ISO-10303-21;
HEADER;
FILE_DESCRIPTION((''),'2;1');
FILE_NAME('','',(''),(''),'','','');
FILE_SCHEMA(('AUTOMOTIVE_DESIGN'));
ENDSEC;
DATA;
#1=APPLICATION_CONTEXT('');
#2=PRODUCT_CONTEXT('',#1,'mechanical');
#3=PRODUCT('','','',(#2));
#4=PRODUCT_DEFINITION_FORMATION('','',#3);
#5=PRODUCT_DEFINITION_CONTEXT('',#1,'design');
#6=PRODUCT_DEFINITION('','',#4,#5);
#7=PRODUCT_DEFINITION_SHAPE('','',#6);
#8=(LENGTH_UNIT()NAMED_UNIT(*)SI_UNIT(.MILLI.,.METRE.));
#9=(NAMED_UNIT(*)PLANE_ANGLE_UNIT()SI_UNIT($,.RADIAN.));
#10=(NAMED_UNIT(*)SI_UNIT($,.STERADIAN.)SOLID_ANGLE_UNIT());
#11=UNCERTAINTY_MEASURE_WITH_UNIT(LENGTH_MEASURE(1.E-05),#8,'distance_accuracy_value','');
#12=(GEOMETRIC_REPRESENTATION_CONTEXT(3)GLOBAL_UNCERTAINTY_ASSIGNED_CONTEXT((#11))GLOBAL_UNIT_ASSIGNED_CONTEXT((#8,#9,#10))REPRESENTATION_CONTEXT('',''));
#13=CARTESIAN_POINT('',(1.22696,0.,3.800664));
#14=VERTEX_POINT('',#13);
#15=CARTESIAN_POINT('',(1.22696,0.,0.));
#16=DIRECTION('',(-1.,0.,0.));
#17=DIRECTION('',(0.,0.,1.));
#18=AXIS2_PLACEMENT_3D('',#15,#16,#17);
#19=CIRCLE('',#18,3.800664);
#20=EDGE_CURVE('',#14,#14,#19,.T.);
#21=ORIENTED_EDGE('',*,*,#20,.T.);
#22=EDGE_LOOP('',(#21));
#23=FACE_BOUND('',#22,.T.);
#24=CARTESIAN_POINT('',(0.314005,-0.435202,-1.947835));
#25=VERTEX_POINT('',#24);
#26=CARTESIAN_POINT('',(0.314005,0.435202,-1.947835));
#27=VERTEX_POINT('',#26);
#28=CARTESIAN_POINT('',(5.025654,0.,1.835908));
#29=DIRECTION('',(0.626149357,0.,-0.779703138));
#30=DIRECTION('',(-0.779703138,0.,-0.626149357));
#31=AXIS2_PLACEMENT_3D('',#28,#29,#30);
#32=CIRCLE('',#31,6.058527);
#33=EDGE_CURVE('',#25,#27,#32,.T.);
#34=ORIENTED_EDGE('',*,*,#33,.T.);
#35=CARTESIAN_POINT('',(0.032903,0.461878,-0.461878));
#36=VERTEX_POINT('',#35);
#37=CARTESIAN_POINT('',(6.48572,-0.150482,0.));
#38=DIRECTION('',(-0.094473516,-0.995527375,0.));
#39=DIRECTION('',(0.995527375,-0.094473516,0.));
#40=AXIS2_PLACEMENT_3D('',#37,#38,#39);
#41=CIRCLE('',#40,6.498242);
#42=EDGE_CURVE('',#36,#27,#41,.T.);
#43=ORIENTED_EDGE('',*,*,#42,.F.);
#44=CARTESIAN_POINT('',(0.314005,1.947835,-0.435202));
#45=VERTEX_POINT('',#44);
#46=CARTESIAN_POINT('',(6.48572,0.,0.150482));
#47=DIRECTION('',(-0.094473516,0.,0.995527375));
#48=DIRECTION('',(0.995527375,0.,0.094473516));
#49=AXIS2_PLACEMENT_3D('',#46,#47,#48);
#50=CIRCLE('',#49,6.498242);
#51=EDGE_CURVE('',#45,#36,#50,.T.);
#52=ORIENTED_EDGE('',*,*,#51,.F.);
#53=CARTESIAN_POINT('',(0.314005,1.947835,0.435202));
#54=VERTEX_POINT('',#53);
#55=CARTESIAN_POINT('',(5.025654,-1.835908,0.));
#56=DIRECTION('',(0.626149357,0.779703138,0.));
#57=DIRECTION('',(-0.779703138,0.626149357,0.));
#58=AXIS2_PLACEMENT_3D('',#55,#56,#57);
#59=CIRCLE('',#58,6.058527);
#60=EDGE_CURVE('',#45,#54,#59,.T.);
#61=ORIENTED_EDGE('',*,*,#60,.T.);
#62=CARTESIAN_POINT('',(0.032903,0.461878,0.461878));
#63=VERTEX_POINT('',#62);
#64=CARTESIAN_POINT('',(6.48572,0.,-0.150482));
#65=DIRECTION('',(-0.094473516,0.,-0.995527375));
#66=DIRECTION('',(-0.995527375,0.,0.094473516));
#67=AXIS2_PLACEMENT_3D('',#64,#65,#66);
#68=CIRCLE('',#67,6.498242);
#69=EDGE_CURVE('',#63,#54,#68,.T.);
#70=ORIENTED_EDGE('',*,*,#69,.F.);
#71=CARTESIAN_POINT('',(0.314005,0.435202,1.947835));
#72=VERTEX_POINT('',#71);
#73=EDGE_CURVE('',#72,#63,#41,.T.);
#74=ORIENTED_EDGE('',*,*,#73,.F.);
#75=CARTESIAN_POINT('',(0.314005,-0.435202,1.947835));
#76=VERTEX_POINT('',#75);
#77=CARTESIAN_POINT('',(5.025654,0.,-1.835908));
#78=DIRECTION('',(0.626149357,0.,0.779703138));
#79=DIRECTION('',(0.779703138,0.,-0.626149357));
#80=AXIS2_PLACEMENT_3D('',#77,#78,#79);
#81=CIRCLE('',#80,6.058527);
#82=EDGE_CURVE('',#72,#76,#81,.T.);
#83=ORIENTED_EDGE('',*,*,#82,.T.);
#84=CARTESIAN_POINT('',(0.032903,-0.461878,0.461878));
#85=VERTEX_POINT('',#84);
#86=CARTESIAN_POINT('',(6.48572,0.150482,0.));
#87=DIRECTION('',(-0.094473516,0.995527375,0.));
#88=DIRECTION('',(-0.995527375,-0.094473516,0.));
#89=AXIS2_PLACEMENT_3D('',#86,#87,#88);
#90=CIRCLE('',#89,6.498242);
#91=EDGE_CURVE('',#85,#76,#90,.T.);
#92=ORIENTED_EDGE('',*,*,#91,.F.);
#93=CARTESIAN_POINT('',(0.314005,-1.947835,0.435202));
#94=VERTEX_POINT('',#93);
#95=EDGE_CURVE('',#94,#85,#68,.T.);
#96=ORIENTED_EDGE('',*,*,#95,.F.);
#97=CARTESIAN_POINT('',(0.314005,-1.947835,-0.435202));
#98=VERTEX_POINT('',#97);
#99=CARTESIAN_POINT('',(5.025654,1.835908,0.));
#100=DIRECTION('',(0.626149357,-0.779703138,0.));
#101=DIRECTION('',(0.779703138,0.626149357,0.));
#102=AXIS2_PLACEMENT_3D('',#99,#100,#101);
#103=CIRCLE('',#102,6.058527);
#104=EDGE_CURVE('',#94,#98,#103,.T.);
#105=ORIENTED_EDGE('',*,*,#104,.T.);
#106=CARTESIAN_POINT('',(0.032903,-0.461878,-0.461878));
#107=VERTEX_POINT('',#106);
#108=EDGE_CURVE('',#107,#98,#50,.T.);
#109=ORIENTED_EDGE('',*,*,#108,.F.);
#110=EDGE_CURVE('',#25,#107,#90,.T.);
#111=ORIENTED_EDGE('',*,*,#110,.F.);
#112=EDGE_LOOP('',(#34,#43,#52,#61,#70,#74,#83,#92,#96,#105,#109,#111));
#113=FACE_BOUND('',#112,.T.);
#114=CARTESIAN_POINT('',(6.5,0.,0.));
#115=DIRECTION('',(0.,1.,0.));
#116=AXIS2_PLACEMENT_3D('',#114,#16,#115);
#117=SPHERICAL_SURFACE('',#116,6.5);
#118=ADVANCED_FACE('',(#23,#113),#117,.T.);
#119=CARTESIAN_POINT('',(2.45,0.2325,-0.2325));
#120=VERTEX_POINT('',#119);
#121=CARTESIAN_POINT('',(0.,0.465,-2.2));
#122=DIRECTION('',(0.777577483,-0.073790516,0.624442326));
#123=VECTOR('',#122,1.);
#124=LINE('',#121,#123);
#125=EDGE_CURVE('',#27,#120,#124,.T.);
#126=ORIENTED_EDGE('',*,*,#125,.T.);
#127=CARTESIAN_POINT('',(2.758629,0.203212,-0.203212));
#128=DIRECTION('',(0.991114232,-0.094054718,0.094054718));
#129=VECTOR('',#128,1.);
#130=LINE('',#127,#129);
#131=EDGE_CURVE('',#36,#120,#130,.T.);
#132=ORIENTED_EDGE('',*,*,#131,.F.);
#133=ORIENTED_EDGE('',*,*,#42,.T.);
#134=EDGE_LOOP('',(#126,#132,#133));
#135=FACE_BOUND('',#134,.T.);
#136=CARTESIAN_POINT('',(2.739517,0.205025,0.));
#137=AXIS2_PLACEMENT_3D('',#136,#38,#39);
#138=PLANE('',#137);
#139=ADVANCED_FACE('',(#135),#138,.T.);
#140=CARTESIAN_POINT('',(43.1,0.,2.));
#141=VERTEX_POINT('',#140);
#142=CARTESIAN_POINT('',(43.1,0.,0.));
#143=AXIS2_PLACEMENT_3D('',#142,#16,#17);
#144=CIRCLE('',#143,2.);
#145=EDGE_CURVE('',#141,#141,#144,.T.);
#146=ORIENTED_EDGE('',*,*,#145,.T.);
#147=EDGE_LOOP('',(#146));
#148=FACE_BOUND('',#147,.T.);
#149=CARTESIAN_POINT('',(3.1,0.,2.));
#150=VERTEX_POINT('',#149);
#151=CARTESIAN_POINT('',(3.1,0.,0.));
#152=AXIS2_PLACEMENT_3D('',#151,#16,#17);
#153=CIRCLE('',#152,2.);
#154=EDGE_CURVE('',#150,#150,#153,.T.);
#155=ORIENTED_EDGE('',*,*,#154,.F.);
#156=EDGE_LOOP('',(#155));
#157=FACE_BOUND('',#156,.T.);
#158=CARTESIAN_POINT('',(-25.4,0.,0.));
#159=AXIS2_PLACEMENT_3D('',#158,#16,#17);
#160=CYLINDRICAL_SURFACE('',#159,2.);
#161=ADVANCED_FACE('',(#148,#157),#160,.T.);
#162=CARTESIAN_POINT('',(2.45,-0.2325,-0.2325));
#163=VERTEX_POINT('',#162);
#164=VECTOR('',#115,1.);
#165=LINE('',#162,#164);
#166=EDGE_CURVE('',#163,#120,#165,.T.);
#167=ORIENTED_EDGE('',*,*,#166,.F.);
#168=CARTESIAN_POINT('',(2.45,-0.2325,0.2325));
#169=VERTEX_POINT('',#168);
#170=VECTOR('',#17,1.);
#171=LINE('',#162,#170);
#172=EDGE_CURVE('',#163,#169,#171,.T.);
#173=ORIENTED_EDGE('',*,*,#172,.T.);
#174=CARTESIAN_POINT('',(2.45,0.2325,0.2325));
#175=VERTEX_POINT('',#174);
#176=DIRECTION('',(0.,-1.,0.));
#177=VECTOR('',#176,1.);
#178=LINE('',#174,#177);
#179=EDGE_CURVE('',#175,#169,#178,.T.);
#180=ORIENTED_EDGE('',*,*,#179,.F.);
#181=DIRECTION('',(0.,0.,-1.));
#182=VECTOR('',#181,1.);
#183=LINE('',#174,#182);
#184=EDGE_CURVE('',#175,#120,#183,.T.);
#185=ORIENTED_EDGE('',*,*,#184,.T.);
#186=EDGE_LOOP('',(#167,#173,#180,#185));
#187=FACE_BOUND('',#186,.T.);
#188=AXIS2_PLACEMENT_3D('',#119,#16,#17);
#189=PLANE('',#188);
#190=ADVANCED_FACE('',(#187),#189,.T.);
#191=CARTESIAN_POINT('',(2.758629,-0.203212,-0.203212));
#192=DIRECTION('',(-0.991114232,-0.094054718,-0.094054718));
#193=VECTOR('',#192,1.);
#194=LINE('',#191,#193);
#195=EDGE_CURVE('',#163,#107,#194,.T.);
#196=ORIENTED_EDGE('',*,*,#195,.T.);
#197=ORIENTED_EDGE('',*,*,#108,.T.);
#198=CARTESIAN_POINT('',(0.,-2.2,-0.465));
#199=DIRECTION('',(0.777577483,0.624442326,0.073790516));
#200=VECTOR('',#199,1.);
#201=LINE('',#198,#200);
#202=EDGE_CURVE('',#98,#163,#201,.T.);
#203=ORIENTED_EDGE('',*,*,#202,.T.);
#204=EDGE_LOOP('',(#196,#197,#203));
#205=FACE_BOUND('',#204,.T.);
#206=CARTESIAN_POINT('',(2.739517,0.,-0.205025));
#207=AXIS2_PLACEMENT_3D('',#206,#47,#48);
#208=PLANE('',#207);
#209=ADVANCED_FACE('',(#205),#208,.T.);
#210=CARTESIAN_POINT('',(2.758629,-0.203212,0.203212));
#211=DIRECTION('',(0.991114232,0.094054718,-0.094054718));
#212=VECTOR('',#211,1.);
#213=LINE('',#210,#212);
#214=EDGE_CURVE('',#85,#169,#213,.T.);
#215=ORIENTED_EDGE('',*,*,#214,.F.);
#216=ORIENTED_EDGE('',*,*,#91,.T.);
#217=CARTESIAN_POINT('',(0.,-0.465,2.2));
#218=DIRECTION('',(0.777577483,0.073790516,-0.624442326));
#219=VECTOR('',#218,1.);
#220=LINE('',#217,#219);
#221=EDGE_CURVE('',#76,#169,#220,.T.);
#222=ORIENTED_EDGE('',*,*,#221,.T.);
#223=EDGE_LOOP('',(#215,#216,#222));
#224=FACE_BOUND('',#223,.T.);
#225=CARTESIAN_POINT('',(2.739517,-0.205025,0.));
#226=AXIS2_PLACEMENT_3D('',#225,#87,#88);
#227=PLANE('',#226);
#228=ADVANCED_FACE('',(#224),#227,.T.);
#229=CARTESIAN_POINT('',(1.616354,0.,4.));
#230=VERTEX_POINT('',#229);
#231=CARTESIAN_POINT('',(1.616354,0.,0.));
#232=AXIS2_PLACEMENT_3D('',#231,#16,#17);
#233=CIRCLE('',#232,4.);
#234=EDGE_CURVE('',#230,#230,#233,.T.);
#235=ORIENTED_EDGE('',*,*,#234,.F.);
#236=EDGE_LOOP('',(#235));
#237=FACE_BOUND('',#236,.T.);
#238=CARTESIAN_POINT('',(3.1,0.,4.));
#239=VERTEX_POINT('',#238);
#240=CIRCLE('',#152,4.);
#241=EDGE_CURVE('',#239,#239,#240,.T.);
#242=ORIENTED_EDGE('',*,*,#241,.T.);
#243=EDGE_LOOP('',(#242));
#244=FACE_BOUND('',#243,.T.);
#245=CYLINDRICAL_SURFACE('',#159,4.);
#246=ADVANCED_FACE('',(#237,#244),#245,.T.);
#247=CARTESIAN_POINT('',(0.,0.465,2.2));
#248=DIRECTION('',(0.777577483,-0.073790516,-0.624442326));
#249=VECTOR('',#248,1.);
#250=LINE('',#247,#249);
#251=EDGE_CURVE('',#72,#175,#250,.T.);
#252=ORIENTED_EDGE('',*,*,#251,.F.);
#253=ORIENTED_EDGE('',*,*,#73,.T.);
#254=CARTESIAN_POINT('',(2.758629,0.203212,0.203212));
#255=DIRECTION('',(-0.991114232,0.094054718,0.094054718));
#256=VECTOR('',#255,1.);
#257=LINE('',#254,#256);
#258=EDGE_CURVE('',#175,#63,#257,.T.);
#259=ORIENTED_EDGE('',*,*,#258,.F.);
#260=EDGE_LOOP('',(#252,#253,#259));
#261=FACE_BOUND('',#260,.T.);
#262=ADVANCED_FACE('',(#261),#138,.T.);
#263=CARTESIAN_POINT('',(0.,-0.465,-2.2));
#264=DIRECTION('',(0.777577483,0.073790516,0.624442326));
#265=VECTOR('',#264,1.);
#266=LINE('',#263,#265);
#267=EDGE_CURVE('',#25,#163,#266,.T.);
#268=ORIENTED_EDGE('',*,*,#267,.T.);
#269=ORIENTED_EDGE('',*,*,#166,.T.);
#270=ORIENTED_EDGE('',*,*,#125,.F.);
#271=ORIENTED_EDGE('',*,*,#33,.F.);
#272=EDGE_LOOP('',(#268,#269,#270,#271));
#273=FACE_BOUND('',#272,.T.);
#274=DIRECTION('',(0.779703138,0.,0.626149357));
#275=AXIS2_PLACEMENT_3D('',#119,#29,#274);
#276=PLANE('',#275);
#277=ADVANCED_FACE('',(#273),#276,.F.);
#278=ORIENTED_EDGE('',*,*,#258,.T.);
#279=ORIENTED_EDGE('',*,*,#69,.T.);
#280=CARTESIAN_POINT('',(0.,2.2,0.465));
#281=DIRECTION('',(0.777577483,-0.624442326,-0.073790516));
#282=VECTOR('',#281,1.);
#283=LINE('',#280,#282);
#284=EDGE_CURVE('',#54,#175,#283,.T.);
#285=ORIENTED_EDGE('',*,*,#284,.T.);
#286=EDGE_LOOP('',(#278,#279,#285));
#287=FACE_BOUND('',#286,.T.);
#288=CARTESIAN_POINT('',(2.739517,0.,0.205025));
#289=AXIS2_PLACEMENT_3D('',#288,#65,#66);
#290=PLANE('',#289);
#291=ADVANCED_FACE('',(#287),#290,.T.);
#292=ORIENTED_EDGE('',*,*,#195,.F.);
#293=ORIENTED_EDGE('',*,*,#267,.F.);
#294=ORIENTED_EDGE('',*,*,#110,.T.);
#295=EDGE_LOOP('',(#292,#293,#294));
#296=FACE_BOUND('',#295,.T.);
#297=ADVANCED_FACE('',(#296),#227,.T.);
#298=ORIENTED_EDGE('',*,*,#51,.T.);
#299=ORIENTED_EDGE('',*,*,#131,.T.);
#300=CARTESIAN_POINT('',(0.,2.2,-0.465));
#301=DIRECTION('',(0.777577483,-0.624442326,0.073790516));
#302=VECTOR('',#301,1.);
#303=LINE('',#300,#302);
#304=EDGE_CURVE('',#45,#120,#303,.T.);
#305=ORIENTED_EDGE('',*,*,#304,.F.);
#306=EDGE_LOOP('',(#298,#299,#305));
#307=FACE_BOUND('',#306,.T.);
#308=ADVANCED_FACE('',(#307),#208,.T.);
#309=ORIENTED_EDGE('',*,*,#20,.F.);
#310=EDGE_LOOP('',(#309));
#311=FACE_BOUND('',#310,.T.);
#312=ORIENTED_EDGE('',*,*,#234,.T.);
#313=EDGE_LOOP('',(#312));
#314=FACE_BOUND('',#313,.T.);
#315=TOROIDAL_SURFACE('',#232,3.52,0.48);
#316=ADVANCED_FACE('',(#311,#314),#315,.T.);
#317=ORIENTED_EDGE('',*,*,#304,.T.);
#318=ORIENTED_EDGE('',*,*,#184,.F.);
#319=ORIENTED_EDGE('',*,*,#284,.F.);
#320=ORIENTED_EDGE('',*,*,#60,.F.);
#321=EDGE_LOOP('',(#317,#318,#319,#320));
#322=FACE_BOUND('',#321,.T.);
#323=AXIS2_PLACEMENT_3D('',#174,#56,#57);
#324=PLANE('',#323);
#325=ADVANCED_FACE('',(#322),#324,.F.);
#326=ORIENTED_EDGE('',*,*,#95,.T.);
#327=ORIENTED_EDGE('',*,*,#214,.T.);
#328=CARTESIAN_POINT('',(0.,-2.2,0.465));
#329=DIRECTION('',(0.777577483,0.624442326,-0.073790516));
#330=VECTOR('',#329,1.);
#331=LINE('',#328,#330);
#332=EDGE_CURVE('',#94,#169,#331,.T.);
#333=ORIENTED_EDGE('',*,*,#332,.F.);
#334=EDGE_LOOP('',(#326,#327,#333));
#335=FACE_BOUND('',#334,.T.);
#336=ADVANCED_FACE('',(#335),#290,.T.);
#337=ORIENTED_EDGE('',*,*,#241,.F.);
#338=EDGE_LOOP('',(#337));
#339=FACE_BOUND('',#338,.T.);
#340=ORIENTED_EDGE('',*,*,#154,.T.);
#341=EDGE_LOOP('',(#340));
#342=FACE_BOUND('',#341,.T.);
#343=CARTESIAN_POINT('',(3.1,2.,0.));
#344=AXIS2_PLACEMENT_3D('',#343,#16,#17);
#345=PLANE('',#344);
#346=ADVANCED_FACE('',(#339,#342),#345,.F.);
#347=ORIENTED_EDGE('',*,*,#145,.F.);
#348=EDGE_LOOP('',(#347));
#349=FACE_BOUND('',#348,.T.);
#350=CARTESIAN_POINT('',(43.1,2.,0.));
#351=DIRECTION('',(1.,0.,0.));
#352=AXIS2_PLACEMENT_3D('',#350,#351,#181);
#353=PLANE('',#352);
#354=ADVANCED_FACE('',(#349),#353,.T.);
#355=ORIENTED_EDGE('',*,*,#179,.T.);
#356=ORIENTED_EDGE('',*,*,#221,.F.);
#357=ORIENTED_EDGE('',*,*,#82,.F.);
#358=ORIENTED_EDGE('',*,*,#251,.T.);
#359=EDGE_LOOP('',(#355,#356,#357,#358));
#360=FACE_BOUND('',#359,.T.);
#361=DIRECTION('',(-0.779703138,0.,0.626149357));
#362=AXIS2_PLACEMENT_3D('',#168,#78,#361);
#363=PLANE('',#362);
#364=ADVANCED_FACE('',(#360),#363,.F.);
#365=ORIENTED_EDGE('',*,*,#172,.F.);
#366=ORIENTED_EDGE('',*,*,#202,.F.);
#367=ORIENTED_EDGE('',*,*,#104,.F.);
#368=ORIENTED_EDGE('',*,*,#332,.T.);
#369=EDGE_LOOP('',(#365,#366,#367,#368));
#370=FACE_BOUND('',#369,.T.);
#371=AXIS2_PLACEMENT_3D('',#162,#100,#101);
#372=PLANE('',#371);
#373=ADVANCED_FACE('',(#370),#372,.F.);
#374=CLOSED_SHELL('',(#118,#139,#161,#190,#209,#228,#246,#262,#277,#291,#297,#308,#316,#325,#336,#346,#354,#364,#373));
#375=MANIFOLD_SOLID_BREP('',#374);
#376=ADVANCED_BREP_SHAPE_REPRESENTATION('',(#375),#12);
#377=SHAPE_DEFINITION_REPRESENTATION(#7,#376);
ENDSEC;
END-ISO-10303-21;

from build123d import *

# Parameters (mm, degrees)
SKETCH3_W         = 0.93
SKETCH3_H         = 4.4
SKETCH4_W         = 0.465
SKETCH4_H         = 0.465
CIRPATTERN1_COUNT = 2
CIRPATTERN1_ANGLE = 90


with BuildPart() as part:
    # BodySke → Base-Revolve (revolve)
    with BuildSketch(Plane.XY):
        with BuildLine():
            Line((3.1, 2), (3.1, 4))
            Line((3.1, 4), (1.616353821, 4))
            ThreePointArc((1.616353821, 4), (1.397629036, 3.947269784), (1.226960106, 3.800664452))
            ThreePointArc((1.226960106, 3.800664452), (0.314340807, 1.996902688), (0, 0))
            Line((0, 0), (43.1, 0))
            Line((43.1, 0), (43.1, 2))
            Line((43.1, 2), (3.1, 2))
        make_face()
    revolve(axis=Axis((-25.4, 0, 0), (1, 0, 0)))

    # Sketch3 → Cut-Loft1 section 0
    with BuildSketch(Plane(origin=(0, 0, 0), x_dir=(0, 0, -1), z_dir=(1, 0, 0))):
        Rectangle(SKETCH3_W, SKETCH3_H)
    # Sketch4 → Cut-Loft1 section 1
    with BuildSketch(Plane(origin=(2.45, 0, 0), x_dir=(0, 0, -1), z_dir=(1, 0, 0))):
        Rectangle(SKETCH4_W, SKETCH4_H)
    cut_loft1 = loft(mode=Mode.SUBTRACT)

    # CirPattern1: Cut-Loft1 ×2 about axis
    cirpattern1_axis = Axis((0, 0, 0), (1, 0, 0))
    for i in range(1, CIRPATTERN1_COUNT):
        add(cut_loft1.rotate(cirpattern1_axis, i * CIRPATTERN1_ANGLE / (CIRPATTERN1_COUNT - 1)), mode=Mode.SUBTRACT)


solid = part.part
